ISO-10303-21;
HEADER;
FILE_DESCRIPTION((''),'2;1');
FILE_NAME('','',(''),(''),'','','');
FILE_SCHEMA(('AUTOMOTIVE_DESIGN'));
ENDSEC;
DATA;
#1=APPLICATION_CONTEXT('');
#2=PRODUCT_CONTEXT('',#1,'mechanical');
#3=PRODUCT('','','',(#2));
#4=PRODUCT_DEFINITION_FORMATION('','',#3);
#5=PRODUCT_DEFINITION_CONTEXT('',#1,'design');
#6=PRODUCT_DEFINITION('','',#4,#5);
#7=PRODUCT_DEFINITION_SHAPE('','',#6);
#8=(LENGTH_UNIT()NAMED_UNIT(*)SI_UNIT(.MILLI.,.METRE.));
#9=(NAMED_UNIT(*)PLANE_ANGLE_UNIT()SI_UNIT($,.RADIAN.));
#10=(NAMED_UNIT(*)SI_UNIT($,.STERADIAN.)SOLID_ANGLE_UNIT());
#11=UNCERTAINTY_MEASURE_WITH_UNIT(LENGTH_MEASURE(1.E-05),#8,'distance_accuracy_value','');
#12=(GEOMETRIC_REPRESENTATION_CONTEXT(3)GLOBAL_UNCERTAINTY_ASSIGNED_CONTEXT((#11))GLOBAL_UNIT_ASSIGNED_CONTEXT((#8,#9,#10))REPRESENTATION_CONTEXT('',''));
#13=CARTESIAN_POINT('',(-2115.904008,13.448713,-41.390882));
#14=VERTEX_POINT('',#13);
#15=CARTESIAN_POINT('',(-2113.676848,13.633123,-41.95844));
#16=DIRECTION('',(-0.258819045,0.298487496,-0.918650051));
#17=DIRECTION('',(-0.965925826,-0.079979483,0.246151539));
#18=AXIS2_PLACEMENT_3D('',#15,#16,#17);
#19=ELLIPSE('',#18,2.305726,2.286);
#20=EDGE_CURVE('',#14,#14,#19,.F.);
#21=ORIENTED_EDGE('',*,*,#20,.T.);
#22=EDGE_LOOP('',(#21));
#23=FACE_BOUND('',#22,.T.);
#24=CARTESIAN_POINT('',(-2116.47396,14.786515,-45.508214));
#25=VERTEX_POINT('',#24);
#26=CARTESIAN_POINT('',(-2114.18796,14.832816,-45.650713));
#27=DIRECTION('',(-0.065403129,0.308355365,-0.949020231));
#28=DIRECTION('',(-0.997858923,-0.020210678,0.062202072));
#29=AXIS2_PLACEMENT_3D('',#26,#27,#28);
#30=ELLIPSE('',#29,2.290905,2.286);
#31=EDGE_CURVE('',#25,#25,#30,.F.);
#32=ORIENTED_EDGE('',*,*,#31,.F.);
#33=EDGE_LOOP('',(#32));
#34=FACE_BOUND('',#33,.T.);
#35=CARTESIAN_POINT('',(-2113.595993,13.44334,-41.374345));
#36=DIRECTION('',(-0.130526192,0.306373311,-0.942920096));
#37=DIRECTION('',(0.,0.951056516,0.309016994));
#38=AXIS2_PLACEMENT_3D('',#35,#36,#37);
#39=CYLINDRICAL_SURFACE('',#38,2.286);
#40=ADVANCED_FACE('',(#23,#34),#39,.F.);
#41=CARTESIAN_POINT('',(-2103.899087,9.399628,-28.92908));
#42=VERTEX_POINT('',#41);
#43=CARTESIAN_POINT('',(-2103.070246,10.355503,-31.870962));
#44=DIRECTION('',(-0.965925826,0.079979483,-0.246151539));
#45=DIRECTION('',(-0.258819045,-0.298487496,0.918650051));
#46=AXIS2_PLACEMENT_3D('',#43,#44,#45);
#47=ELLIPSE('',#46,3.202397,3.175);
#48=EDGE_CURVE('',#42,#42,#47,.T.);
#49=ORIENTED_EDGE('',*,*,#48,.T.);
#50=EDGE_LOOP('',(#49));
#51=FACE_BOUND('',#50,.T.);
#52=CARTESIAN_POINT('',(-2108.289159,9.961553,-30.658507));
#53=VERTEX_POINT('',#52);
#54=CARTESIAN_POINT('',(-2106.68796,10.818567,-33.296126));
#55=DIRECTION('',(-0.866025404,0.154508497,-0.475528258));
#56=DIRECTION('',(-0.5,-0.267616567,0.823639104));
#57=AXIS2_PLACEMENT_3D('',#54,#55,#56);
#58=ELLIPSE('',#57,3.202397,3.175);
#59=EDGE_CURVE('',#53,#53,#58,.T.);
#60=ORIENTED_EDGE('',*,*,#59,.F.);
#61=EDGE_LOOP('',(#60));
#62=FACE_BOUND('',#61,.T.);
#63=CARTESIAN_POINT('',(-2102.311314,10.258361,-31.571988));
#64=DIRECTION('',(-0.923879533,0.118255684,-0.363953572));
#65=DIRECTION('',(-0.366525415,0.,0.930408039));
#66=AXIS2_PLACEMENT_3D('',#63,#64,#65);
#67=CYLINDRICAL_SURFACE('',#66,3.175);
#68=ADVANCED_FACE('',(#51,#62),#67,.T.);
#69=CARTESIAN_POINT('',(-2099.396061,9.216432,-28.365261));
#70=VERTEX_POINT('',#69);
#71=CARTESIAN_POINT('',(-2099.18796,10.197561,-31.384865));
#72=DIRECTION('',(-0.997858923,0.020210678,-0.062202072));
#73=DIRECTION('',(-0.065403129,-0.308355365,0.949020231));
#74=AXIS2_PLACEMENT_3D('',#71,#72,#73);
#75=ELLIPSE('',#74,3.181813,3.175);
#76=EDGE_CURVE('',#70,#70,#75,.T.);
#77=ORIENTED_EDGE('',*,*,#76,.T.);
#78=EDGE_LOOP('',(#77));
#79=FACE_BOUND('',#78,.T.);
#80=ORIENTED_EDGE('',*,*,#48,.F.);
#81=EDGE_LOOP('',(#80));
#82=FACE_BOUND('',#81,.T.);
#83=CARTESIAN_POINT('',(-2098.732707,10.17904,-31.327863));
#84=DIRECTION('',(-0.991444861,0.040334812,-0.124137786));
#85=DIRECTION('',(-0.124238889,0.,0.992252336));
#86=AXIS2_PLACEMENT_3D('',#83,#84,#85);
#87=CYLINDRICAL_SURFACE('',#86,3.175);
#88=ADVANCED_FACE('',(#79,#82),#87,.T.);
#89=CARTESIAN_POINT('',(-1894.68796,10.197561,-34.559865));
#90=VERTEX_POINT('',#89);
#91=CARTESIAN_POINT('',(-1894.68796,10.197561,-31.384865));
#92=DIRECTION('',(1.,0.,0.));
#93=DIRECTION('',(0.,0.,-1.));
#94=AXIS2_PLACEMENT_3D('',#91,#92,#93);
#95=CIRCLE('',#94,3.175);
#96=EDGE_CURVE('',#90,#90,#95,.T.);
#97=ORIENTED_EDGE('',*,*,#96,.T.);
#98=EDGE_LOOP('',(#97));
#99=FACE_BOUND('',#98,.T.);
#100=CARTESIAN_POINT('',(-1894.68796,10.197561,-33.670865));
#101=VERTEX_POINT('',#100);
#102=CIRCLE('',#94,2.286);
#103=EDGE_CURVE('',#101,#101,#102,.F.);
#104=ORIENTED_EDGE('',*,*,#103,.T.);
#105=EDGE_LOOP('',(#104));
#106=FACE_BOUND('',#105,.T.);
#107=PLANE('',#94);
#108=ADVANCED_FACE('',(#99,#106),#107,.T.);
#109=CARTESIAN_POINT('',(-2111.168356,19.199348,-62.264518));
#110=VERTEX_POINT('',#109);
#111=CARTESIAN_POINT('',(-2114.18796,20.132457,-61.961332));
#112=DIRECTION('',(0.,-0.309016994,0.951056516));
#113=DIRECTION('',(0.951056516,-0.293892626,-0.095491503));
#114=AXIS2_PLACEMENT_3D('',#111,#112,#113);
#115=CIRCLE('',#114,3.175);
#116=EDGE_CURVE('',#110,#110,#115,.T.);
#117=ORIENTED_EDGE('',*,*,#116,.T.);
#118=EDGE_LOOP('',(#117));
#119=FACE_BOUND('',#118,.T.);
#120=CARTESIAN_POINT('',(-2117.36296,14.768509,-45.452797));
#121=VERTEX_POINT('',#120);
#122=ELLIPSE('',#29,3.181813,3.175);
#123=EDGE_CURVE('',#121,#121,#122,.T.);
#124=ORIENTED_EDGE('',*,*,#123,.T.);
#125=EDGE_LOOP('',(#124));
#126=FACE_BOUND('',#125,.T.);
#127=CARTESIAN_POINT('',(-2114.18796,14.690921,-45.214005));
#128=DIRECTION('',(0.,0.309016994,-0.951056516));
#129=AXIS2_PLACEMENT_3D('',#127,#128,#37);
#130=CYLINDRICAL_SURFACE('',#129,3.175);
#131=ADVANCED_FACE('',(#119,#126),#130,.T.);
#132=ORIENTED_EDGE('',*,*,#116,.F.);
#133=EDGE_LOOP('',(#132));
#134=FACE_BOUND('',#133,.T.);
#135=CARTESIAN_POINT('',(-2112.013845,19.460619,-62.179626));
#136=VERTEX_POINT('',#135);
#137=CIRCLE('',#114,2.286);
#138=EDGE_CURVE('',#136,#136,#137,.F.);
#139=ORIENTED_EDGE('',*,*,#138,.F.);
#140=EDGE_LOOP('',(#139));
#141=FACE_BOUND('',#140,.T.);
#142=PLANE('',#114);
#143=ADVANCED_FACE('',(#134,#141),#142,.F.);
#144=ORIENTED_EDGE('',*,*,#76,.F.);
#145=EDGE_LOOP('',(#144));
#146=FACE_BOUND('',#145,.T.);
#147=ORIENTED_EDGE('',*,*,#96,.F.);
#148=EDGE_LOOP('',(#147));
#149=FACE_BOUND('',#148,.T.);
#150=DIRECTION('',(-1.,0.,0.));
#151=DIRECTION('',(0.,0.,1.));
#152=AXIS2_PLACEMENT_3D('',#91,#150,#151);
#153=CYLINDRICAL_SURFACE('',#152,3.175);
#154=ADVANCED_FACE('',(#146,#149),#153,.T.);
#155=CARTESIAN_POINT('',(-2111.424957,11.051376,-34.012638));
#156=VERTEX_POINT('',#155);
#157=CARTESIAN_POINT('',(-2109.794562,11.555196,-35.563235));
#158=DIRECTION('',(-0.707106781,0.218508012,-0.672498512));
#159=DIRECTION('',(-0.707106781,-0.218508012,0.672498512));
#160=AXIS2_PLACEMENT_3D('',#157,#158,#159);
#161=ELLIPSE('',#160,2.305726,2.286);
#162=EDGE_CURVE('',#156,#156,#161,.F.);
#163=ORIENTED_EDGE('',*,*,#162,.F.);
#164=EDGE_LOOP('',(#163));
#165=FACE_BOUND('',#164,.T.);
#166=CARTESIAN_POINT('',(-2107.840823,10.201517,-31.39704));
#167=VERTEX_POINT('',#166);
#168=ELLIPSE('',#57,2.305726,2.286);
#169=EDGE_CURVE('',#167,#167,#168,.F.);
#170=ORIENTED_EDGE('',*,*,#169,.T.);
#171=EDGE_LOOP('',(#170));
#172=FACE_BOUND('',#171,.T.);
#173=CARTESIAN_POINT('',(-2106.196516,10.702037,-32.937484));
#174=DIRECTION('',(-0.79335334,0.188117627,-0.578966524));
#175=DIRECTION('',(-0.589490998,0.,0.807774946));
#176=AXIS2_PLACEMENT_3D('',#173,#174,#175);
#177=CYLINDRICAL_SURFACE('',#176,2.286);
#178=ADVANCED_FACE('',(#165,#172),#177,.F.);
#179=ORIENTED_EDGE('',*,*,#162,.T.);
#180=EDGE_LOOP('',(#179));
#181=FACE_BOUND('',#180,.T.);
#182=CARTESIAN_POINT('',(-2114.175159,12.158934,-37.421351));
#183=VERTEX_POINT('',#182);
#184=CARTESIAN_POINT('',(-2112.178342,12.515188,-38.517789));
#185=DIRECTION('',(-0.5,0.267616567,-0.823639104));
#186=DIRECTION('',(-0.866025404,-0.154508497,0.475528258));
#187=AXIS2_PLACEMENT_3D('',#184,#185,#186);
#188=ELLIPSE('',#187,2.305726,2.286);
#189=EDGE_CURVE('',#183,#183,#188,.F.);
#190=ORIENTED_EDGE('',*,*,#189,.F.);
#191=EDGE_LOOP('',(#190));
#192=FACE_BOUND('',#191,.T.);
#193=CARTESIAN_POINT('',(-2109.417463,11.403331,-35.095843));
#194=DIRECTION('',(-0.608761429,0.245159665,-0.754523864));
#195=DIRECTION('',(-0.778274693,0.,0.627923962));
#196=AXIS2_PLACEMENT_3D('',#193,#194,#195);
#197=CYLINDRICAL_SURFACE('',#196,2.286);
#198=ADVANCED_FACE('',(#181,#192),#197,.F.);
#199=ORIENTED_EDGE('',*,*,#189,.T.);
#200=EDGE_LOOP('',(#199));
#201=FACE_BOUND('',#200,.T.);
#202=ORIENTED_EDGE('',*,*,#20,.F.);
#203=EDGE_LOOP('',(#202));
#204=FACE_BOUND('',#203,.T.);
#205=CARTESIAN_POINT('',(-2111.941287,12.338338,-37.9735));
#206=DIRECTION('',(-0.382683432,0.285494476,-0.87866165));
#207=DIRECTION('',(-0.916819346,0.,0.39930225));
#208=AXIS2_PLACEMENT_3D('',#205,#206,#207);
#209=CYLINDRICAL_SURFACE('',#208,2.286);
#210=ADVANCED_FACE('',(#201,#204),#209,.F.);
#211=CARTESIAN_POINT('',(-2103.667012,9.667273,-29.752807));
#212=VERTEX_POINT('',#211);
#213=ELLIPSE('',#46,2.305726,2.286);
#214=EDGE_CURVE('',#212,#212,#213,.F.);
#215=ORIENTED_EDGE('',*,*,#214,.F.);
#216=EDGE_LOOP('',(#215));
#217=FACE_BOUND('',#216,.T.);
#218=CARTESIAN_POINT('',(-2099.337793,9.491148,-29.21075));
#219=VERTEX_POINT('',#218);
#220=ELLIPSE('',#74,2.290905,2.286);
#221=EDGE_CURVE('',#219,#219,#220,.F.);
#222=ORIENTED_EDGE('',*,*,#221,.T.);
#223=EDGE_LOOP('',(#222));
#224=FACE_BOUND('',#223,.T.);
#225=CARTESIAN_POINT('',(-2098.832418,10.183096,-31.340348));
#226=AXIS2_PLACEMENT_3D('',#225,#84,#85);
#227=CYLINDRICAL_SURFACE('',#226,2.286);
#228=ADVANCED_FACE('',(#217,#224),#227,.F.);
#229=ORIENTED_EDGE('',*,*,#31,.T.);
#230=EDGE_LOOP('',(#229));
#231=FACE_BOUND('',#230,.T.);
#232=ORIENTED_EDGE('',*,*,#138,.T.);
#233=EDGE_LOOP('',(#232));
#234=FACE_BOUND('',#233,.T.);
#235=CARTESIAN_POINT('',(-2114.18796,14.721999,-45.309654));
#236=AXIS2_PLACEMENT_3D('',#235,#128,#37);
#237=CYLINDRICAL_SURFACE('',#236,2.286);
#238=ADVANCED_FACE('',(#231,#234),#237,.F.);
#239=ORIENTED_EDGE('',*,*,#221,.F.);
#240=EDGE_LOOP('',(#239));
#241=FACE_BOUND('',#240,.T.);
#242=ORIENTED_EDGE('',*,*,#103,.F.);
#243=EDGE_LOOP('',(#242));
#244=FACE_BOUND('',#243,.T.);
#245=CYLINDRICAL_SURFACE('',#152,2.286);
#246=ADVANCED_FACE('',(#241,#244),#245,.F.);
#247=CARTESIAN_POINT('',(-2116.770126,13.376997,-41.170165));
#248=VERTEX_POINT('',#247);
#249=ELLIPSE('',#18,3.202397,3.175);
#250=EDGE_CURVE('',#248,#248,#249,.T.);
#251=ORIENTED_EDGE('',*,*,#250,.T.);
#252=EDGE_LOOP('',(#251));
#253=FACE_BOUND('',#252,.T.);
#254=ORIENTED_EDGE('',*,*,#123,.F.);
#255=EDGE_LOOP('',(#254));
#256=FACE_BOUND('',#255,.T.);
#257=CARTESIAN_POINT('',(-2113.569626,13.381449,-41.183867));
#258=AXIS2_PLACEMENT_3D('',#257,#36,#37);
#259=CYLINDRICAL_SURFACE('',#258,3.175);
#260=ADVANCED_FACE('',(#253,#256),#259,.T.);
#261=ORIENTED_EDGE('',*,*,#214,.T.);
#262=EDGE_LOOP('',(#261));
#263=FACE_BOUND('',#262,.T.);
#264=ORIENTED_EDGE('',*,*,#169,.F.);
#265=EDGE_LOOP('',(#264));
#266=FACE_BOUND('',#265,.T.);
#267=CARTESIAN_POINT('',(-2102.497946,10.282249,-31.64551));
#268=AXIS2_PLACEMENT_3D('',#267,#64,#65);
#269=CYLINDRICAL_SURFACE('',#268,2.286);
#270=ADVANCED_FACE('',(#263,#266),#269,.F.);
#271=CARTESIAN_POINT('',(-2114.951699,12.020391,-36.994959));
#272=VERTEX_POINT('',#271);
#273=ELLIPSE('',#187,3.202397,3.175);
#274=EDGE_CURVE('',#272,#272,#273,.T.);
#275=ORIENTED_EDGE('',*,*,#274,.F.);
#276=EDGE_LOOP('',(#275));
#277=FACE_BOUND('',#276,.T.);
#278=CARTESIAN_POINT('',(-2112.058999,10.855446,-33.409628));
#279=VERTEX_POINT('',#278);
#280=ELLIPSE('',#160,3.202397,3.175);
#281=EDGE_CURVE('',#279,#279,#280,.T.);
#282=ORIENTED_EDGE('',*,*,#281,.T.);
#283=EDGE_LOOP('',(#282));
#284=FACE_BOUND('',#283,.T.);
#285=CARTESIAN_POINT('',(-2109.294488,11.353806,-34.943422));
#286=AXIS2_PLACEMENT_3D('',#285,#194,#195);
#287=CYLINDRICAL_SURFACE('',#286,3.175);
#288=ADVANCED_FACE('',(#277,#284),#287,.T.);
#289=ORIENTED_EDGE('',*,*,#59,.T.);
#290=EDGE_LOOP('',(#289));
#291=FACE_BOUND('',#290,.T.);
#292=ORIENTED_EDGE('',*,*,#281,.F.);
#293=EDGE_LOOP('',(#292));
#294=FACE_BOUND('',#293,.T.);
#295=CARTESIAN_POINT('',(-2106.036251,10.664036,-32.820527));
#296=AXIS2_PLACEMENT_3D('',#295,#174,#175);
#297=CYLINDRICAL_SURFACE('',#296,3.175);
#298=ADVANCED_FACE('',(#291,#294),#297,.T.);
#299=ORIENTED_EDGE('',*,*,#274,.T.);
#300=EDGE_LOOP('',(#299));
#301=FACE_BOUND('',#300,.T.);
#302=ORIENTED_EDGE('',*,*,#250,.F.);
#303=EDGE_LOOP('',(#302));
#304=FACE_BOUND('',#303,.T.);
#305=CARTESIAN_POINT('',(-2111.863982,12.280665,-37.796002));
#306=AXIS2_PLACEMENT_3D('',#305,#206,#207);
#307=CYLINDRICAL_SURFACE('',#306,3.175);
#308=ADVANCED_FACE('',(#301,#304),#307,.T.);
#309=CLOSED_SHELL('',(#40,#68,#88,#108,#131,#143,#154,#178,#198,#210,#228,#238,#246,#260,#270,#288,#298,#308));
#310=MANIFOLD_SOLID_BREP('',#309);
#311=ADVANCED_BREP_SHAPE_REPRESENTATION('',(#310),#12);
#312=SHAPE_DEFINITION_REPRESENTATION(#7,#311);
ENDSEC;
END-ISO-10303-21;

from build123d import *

# Parameters (mm, degrees)
PROFILE_R   = 3.175
PROFILE_R_2 = 2.286


with BuildPart() as part:
    # Tube: sweep along a curve in space
    with BuildLine() as tube_path:
        Line((-1894.687960479, 10.197560814, -31.384865038), (-2099.187960479, 10.197560814, -31.384865038))
        Line((-2099.187960479, 10.197560814, -31.384865038), (-2103.070246155, 10.355503296, -31.870962012))
        Line((-2103.070246155, 10.355503296, -31.870962012), (-2106.687960479, 10.81856722, -33.296126229))
        Line((-2106.687960479, 10.81856722, -33.296126229), (-2109.794562197, 11.555195547, -35.563235103))
        Line((-2109.794562197, 11.555195547, -35.563235103), (-2112.178341536, 12.515188272, -38.51778891))
        Line((-2112.178341536, 12.515188272, -38.51778891), (-2113.676847873, 13.633123479, -41.958439691))
        Line((-2113.676847873, 13.633123479, -41.958439691), (-2114.187960479, 14.83281573, -45.650712782))
        Line((-2114.187960479, 14.83281573, -45.650712782), (-2114.187960479, 20.132457184, -61.961332037))
    # Profile → Tube (sweep)
    with BuildSketch(Plane(origin=(-1894.687960479, 0, 0), x_dir=(0, 0, -1), z_dir=(1, 0, 0))):
        with Locations((31.384865038, 10.197560814)):
            Circle(PROFILE_R)
        with Locations((31.384865038, 10.197560814)):
            Circle(PROFILE_R_2, mode=Mode.SUBTRACT)
    sweep(path=tube_path.line, transition=Transition.RIGHT)


solid = part.part
